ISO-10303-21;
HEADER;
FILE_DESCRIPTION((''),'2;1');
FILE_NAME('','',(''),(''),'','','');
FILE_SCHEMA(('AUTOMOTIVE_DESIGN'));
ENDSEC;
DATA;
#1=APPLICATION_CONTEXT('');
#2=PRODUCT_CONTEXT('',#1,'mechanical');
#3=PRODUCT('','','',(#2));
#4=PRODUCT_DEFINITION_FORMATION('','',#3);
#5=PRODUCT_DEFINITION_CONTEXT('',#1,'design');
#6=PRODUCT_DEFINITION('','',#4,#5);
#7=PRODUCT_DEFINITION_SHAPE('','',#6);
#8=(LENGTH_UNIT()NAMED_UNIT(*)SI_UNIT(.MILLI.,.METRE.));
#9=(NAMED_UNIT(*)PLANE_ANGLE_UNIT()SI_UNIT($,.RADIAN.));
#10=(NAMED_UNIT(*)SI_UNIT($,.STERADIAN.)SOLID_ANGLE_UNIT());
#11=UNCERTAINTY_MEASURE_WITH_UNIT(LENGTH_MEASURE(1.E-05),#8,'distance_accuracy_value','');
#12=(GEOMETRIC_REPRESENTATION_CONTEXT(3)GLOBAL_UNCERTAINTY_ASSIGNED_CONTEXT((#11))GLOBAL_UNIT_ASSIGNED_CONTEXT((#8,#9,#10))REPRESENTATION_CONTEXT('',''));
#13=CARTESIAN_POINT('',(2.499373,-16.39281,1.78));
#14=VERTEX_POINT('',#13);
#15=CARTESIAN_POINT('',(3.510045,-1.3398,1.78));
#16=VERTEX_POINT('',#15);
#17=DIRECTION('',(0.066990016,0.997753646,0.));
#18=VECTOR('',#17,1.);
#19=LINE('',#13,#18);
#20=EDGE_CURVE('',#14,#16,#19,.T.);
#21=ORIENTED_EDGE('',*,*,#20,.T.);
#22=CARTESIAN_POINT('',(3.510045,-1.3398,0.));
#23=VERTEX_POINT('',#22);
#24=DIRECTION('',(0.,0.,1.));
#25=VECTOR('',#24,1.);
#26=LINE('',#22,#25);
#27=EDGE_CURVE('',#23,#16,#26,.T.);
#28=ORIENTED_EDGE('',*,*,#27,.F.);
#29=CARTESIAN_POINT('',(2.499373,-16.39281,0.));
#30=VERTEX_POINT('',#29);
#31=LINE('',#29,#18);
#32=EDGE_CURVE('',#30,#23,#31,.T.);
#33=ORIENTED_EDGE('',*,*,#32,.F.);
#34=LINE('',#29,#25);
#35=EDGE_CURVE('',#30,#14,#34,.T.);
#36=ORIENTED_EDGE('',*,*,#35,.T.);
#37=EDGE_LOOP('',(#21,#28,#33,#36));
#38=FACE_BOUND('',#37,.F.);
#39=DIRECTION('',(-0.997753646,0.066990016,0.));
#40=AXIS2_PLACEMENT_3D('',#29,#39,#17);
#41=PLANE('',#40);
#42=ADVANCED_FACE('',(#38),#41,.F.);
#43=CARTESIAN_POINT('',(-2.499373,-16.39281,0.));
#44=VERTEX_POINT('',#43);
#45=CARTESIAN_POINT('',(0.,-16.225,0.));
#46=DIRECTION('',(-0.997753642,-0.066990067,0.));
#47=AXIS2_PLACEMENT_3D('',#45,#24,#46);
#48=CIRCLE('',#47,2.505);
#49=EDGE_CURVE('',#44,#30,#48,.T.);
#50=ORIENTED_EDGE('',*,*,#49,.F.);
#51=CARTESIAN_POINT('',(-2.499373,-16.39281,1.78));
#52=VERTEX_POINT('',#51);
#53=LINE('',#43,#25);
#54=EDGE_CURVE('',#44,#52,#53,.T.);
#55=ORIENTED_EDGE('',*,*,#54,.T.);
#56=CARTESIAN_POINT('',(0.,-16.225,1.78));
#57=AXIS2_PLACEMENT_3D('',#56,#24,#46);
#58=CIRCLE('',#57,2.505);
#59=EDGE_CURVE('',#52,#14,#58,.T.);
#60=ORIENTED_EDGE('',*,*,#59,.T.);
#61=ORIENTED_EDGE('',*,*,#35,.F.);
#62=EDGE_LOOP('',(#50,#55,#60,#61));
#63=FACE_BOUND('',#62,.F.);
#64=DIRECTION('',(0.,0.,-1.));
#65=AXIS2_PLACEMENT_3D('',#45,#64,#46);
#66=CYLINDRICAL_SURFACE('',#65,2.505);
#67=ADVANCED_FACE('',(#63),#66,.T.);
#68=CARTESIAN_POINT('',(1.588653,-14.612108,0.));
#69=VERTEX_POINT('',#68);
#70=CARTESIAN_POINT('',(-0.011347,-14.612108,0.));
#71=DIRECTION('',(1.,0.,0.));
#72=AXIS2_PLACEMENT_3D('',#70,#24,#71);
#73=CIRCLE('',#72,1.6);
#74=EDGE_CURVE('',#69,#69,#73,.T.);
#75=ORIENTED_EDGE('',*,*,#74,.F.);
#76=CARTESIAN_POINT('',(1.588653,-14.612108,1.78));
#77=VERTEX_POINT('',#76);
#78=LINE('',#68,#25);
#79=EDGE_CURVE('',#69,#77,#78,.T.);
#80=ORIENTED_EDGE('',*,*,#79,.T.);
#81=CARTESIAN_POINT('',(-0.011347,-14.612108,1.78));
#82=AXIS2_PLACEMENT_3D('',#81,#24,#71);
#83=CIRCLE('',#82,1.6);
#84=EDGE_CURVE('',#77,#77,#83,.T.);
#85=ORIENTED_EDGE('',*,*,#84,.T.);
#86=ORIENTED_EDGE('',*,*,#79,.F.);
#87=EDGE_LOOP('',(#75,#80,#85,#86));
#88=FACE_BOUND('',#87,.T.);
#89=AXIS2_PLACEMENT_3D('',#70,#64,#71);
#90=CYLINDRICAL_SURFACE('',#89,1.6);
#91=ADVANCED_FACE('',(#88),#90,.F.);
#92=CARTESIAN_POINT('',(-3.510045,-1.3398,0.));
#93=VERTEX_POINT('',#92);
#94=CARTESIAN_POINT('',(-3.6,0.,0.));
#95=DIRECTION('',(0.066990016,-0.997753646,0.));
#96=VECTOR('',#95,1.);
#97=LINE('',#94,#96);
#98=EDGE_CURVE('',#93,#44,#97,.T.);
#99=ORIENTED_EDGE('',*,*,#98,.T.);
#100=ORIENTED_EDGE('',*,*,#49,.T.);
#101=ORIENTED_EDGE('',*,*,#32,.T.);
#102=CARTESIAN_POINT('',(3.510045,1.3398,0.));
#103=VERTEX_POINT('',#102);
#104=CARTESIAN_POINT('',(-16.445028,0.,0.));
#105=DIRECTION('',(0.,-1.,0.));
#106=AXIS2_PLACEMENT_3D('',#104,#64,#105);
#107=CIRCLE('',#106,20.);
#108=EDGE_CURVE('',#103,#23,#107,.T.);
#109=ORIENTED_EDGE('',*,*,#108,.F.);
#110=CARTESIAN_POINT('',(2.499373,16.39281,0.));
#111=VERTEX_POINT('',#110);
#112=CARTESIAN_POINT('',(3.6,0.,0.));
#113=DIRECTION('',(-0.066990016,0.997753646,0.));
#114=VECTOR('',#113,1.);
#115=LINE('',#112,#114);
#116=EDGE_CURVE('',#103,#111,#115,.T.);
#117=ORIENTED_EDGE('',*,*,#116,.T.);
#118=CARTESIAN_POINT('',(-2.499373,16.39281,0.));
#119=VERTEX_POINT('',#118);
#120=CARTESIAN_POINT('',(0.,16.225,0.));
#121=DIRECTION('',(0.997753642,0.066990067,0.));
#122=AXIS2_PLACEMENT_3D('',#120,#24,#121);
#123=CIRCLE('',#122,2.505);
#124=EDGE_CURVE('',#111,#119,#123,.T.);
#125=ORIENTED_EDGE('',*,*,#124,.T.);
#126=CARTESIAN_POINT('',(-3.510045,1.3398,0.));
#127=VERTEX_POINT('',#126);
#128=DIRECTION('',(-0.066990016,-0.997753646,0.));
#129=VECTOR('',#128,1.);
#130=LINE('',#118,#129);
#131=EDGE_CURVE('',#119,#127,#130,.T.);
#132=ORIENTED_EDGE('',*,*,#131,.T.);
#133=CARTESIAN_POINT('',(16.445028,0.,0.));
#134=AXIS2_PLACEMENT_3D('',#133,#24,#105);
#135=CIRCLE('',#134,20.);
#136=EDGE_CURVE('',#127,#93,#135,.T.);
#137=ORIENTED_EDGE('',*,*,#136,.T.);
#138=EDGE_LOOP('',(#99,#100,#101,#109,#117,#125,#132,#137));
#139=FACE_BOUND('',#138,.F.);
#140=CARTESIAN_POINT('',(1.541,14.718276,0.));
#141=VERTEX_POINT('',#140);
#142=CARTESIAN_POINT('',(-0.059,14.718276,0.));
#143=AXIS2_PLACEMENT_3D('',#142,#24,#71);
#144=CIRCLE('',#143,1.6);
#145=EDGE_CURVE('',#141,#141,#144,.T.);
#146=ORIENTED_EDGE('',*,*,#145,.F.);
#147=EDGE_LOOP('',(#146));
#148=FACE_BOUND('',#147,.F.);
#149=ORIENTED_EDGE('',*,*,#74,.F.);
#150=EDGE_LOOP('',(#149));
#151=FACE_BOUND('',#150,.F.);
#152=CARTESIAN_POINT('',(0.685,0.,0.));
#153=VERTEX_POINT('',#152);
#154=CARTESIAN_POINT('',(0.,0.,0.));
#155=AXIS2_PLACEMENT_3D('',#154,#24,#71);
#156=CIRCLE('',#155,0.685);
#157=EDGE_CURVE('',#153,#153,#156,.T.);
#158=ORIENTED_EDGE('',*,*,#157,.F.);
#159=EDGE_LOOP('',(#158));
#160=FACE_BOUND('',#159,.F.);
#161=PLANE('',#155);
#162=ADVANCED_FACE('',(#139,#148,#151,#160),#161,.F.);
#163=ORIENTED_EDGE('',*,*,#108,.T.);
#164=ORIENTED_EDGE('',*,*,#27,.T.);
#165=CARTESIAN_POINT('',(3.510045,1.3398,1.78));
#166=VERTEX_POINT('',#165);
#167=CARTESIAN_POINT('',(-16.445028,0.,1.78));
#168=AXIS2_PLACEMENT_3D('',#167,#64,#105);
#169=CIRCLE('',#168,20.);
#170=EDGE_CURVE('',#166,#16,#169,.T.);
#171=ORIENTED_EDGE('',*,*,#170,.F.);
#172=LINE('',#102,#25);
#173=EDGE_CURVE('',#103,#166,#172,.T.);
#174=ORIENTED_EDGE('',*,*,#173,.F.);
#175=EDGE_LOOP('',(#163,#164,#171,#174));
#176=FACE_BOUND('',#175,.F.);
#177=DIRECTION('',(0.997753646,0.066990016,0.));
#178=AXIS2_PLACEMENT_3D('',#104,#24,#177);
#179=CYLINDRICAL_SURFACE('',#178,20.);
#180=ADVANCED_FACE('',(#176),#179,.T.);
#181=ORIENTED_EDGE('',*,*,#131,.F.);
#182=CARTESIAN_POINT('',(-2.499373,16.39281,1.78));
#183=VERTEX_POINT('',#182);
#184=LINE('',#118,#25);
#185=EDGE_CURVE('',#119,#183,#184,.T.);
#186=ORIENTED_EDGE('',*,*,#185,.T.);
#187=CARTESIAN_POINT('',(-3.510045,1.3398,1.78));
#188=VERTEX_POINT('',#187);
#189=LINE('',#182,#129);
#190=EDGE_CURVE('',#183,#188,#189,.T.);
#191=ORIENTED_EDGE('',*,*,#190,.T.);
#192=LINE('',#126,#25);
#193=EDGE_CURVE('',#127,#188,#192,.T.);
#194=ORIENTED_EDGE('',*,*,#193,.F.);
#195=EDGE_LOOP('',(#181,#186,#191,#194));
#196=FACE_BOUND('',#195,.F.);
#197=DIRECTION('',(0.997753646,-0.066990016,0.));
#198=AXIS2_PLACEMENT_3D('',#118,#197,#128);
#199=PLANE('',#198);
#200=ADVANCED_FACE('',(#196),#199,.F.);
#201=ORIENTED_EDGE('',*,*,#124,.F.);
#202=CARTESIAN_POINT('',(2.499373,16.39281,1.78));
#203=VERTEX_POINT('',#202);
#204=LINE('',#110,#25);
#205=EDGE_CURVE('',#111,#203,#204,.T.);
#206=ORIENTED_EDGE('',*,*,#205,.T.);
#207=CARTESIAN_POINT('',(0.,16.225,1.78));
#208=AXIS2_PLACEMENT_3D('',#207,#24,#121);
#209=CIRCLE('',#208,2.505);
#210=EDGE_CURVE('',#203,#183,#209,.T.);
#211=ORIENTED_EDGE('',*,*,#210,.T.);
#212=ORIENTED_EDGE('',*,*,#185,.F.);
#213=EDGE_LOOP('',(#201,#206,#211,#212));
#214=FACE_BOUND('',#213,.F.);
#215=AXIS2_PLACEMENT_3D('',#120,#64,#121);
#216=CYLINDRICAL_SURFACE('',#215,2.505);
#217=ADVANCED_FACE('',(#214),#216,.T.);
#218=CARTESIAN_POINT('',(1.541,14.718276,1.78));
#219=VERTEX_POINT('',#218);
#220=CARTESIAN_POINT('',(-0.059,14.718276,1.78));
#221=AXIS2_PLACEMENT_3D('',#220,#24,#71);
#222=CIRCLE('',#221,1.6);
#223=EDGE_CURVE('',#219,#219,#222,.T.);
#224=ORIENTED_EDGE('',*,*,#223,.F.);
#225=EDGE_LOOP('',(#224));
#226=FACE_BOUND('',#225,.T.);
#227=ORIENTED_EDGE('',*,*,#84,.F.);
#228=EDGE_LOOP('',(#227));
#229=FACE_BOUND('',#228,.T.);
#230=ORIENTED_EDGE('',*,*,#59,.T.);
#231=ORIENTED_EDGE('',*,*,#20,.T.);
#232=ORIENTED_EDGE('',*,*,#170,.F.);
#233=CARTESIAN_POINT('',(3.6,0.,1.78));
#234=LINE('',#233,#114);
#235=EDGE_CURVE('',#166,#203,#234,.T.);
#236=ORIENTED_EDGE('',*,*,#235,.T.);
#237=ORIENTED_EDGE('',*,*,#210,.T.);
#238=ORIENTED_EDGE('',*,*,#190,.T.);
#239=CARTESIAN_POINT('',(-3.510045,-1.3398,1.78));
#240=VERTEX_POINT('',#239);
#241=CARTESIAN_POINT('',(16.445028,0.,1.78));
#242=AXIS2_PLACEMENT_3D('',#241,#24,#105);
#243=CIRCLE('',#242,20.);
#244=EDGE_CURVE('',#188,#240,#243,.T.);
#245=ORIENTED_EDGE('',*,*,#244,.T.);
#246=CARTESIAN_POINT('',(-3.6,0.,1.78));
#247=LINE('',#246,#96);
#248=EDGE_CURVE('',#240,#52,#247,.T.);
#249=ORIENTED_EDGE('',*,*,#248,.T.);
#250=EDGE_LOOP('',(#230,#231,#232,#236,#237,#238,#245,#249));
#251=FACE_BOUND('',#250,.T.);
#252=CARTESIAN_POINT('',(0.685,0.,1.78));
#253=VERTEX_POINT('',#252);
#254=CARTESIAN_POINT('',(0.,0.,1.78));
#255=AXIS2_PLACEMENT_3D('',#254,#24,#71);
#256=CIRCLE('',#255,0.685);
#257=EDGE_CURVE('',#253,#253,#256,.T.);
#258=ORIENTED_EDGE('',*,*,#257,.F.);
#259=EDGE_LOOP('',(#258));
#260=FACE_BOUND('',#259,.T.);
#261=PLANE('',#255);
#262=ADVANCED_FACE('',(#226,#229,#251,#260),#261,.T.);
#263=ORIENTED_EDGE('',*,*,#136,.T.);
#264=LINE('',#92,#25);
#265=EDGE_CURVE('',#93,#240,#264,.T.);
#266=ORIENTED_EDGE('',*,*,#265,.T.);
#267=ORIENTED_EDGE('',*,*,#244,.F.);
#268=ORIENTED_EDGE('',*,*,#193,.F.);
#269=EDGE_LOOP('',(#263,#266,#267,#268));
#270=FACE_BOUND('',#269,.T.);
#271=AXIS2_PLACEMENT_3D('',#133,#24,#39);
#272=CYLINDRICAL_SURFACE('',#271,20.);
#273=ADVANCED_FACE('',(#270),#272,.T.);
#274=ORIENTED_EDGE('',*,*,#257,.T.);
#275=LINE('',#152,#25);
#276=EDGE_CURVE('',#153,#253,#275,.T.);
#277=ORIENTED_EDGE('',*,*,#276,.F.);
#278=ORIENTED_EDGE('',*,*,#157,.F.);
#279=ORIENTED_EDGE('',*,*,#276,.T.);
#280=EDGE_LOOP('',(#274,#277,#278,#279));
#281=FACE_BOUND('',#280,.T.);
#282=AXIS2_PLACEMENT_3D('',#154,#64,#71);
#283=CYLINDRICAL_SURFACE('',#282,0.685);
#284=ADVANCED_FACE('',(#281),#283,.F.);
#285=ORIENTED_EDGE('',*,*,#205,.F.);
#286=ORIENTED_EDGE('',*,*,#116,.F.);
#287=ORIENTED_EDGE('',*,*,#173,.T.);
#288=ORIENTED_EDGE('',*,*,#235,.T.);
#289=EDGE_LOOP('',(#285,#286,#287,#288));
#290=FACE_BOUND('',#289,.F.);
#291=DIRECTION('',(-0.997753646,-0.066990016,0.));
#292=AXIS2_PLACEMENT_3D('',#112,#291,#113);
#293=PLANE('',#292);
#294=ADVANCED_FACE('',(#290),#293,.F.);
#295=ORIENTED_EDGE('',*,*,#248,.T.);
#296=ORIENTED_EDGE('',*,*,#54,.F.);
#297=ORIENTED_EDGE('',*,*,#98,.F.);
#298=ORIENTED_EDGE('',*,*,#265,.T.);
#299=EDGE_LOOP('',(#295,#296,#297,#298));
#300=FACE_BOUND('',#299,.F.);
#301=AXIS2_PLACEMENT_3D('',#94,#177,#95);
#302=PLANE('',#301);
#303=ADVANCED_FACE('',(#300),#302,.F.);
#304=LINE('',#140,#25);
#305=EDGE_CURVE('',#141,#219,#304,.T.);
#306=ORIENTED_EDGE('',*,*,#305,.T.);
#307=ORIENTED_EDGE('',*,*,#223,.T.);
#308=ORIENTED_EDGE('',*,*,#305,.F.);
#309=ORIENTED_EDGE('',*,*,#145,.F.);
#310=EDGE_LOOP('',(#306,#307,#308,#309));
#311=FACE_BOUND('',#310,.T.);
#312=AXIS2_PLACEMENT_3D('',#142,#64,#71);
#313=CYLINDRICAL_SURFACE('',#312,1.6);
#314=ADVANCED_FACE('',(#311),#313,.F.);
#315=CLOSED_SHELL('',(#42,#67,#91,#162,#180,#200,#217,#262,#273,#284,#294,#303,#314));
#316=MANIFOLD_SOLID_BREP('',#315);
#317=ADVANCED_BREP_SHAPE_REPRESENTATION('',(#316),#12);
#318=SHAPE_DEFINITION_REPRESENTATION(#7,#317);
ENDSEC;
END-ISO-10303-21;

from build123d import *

# Parameters (mm, degrees)
F0_R     = 1.6
F0_R_2   = 0.685
F1_DEPTH = 1.78
F2_R     = 20


with BuildPart() as f1:
    # F0 (on Top) → F1 (new body)
    with BuildSketch(Plane.XY):
        with BuildLine():
            Line((3.6, 0), (2.499373, 16.39281))
            ThreePointArc((2.499373, 16.39281), (0, 18.73), (-2.499373, 16.39281))
            Line((-2.499373, 16.39281), (-3.6, 0))
            Line((-3.6, 0), (-2.499373, -16.39281))
            ThreePointArc((-2.499373, -16.39281), (0, -18.73), (2.499373, -16.39281))
            Line((2.499373, -16.39281), (3.6, 0))
        make_face()
        with Locations((-0.011347, -14.612108)):
            Circle(F0_R, mode=Mode.SUBTRACT)
        with Locations((-0.059, 14.718276)):
            Circle(F0_R, mode=Mode.SUBTRACT)
        Circle(F0_R_2, mode=Mode.SUBTRACT)
    extrude(amount=F1_DEPTH)

    # F2
    f2_edges = [f1.edges().sort_by_distance(p)[0] for p in [
        (3.6, 0, 0.89),
        (-3.6, 0, 0.89),
    ]]
    fillet(f2_edges, radius=F2_R)


solid = f1.part
